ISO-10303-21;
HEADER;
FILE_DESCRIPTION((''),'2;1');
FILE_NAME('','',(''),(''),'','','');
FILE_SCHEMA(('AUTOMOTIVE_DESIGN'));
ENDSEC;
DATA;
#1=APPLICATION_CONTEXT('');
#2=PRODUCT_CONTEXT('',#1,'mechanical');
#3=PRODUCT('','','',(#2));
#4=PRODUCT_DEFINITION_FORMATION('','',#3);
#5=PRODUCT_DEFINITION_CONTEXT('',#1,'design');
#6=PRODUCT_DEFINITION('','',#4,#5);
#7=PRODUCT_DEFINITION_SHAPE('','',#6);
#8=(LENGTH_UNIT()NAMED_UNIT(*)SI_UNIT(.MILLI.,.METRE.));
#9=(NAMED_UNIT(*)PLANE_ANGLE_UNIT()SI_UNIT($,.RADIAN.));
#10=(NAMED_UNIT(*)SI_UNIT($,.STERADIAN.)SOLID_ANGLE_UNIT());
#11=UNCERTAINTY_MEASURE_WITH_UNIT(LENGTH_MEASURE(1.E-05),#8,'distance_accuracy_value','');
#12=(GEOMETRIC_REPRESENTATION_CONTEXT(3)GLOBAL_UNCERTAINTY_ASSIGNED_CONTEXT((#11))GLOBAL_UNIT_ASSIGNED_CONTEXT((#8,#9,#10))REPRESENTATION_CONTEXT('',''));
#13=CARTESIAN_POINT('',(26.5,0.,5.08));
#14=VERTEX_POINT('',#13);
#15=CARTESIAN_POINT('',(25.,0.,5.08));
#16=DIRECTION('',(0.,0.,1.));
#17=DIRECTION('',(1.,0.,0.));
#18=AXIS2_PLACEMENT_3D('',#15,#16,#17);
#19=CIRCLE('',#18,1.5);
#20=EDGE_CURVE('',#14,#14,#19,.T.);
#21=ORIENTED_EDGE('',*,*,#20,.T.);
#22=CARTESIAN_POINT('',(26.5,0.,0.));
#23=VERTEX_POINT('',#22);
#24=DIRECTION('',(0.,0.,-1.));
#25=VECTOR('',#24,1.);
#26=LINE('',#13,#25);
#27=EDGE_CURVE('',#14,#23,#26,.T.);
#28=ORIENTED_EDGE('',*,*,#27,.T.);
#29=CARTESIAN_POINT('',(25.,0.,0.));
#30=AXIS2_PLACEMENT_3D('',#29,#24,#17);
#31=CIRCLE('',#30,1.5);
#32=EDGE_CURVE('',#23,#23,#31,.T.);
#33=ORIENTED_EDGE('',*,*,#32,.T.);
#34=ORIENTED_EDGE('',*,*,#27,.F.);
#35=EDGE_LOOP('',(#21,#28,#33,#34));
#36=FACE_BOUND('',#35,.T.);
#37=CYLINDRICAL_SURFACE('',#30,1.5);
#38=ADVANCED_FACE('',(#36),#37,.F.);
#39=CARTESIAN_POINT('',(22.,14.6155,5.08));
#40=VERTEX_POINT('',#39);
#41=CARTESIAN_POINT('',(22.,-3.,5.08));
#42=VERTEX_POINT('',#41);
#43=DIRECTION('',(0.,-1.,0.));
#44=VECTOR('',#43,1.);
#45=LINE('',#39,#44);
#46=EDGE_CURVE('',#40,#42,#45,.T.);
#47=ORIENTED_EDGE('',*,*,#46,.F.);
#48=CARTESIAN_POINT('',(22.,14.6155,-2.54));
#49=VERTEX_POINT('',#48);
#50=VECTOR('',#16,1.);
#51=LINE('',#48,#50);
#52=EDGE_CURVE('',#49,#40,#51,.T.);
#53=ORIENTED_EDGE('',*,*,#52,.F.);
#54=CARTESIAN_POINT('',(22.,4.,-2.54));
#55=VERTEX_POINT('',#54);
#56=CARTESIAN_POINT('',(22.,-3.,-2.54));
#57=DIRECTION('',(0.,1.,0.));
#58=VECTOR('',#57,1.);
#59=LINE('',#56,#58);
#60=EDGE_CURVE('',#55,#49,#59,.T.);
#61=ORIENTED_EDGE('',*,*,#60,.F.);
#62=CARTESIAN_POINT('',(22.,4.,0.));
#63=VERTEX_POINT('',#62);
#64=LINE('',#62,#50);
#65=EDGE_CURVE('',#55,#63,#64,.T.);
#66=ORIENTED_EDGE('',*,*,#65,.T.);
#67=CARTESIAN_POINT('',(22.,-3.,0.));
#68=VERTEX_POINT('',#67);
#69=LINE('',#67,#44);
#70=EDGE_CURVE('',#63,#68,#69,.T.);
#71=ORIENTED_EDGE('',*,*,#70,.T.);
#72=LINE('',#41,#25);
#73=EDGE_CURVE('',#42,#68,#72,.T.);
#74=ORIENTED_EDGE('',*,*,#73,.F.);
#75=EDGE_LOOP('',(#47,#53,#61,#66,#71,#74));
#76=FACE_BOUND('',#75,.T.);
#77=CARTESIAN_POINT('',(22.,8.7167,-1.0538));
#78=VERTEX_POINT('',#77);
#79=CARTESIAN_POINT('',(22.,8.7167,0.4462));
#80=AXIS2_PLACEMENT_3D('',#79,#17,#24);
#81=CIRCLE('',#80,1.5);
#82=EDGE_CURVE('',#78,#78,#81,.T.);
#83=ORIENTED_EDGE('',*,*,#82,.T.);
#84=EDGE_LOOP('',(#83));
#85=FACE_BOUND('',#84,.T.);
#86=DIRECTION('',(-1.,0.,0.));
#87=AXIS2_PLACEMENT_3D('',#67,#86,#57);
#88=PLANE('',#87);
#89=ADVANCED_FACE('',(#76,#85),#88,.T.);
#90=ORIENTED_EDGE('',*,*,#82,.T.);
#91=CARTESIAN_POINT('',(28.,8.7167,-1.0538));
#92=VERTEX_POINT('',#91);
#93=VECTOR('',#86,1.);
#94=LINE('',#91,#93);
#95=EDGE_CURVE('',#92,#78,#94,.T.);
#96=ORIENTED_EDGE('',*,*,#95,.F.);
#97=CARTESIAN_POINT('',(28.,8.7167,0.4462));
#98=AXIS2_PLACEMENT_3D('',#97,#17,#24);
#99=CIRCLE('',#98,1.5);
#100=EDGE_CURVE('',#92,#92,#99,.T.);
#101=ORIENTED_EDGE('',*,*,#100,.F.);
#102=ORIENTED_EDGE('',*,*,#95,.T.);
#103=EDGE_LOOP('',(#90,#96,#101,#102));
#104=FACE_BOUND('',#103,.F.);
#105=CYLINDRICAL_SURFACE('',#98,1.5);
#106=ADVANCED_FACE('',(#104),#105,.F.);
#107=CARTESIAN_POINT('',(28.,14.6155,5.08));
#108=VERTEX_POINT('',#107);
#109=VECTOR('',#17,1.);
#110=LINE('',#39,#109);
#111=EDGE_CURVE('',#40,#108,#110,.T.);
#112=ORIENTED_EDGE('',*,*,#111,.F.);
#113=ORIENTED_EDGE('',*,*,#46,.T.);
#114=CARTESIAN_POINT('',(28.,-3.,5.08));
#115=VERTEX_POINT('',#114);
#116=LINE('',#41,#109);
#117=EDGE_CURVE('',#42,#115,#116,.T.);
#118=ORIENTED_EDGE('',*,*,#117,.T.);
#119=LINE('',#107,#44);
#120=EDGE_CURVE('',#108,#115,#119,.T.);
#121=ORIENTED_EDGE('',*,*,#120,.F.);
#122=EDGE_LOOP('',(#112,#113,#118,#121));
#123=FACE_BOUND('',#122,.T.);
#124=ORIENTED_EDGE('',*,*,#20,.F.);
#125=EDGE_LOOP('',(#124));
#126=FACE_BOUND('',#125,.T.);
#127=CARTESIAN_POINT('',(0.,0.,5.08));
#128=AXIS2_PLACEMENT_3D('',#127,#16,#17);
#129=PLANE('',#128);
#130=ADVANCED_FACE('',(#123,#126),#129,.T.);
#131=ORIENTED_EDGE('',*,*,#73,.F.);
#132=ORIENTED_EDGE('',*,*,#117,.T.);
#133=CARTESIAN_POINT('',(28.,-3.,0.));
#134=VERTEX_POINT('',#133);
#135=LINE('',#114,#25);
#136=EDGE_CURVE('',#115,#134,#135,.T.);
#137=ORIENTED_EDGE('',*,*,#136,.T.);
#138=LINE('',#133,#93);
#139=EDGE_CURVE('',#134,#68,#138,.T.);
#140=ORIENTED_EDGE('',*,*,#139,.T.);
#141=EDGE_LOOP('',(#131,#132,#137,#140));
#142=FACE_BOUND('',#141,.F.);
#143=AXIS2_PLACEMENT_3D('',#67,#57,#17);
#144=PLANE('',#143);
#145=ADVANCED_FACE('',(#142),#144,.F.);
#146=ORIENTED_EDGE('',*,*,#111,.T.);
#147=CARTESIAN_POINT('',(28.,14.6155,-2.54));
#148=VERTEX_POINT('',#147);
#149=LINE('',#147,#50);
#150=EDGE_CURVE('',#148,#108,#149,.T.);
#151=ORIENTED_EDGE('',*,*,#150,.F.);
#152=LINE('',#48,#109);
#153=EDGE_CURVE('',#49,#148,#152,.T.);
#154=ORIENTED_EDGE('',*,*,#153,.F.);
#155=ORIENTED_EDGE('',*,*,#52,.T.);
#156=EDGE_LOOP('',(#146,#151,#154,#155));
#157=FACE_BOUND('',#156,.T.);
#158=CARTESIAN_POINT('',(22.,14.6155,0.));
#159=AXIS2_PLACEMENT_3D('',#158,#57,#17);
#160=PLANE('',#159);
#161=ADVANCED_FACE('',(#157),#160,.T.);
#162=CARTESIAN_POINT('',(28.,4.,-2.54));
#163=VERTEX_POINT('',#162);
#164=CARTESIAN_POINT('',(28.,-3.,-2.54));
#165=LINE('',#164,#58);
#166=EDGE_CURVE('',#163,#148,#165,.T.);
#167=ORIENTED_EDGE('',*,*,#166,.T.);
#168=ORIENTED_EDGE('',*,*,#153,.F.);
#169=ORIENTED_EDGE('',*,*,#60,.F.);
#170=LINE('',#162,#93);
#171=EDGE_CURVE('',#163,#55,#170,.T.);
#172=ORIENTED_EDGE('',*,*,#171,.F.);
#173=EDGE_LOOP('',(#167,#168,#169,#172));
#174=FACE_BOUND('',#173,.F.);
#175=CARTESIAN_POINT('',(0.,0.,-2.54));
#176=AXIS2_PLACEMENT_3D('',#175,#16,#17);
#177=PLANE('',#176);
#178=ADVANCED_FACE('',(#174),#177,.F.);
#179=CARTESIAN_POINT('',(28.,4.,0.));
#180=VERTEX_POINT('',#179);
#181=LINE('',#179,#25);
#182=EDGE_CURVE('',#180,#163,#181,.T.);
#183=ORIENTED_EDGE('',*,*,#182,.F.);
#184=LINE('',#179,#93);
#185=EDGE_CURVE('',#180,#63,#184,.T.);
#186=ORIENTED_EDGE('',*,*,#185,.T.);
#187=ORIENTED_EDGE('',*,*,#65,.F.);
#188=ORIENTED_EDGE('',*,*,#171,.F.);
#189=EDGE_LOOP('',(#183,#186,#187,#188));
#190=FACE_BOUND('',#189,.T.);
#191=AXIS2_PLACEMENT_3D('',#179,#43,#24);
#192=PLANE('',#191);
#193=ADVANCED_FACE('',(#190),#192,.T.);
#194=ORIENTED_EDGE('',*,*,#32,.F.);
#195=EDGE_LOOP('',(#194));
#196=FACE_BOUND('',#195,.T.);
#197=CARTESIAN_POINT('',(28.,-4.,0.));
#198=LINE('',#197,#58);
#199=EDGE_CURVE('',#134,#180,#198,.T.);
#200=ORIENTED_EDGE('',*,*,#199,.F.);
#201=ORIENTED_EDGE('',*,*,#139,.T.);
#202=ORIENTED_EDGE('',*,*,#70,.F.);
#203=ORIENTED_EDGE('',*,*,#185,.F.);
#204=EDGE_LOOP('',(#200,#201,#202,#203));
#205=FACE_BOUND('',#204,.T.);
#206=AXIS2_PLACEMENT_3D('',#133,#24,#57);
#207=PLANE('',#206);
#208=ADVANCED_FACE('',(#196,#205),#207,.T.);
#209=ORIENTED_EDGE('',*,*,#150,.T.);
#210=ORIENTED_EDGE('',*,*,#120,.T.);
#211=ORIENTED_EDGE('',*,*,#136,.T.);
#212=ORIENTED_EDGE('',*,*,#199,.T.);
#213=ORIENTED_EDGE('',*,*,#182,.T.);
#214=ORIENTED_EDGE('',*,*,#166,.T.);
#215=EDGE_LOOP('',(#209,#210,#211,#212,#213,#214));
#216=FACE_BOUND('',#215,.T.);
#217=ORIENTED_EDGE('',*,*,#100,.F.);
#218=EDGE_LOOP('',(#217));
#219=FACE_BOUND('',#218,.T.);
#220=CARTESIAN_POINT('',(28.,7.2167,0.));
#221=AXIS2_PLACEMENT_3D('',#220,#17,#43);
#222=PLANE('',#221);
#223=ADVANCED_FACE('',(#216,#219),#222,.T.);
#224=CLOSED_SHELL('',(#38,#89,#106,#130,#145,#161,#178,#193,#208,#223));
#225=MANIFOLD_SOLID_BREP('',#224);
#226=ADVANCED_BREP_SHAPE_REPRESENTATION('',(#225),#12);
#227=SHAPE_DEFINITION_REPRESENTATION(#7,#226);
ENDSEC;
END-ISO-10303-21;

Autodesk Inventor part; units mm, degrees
ref_plane "YZ Plane" through (0, 0, 0) normal (1, 0, 0) x (0, 1, 0)
ref_plane "XZ Plane" through (0, 0, 0) normal (0, 1, 0) x (-1, 0, 0)
ref_plane "XY Plane" through (0, 0, 0) normal (0, 0, 1) x (1, 0, 0)
sketch "Sketch1" plane through (0, 0, 0) normal (0, 0, 1) x (1, 0, 0)
  circle A0 centre (25, 0) radius 1.5 projected
  line L0 (30, 7.2167) -> (20.6, 7.2167)
  line L1 (30, 10.2167) -> (20.6, 10.2167)
  line L2 (22, -3) -> (28, -3) projected
  line L3 (28, -3) -> (22, -3)
  line L4 (22, -3) -> (22, 14.6155)
  line L5 (22, 14.6155) -> (28, 14.6155)
  line L6 (28, 14.6155) -> (28, -3)
  point P0 (0, 0)
extrude "Extrusion1" add sketch "Sketch1" along normal blind 5.08 and the other way blind 2.54
sketch "Sketch2" plane through (28, -3, 5.08) normal (1, 0, 0) x (0, 0, -1)
  line L0 (5.08, -1) -> (5.08, 7) projected
  circle A0 centre (4.6338, 11.7167) radius 1.5 projected
  line L1 (5.08, 7) -> (7.62, 7)
  line L2 (7.62, 17.6155) -> (7.62, 0) projected
  line L3 (7.62, 7) -> (7.62, 0)
  line L4 (7.62, 0) -> (5.08, 0)
  line L5 (7.62, 0) -> (0, 0) projected
  line L6 (5.08, 0) -> (5.08, 7)
  point P0 (5.08, 3)
extrude "Extrusion2" cut sketch "Sketch2" against normal blind 7.62
equation "\"BendRadius\" = Thickness"
equation "\"BendReliefWidth\" = Thickness"
equation "\"BendReliefDepth\" = 0.5 * Thickness"
equation "\"CornerReliefSize\" = 4 * Thickness"
equation "\"MinimumRemnant\" = 2 * Thickness"
equation "\"TransitionRadius\" = BendRadius"
equation "\"JacobiRadiusSize\" = Thickness"
equation "\"GapSize\" = Thickness"
equation "\"Thickness\" = 3.048"
properties part number "EncoderBase"
